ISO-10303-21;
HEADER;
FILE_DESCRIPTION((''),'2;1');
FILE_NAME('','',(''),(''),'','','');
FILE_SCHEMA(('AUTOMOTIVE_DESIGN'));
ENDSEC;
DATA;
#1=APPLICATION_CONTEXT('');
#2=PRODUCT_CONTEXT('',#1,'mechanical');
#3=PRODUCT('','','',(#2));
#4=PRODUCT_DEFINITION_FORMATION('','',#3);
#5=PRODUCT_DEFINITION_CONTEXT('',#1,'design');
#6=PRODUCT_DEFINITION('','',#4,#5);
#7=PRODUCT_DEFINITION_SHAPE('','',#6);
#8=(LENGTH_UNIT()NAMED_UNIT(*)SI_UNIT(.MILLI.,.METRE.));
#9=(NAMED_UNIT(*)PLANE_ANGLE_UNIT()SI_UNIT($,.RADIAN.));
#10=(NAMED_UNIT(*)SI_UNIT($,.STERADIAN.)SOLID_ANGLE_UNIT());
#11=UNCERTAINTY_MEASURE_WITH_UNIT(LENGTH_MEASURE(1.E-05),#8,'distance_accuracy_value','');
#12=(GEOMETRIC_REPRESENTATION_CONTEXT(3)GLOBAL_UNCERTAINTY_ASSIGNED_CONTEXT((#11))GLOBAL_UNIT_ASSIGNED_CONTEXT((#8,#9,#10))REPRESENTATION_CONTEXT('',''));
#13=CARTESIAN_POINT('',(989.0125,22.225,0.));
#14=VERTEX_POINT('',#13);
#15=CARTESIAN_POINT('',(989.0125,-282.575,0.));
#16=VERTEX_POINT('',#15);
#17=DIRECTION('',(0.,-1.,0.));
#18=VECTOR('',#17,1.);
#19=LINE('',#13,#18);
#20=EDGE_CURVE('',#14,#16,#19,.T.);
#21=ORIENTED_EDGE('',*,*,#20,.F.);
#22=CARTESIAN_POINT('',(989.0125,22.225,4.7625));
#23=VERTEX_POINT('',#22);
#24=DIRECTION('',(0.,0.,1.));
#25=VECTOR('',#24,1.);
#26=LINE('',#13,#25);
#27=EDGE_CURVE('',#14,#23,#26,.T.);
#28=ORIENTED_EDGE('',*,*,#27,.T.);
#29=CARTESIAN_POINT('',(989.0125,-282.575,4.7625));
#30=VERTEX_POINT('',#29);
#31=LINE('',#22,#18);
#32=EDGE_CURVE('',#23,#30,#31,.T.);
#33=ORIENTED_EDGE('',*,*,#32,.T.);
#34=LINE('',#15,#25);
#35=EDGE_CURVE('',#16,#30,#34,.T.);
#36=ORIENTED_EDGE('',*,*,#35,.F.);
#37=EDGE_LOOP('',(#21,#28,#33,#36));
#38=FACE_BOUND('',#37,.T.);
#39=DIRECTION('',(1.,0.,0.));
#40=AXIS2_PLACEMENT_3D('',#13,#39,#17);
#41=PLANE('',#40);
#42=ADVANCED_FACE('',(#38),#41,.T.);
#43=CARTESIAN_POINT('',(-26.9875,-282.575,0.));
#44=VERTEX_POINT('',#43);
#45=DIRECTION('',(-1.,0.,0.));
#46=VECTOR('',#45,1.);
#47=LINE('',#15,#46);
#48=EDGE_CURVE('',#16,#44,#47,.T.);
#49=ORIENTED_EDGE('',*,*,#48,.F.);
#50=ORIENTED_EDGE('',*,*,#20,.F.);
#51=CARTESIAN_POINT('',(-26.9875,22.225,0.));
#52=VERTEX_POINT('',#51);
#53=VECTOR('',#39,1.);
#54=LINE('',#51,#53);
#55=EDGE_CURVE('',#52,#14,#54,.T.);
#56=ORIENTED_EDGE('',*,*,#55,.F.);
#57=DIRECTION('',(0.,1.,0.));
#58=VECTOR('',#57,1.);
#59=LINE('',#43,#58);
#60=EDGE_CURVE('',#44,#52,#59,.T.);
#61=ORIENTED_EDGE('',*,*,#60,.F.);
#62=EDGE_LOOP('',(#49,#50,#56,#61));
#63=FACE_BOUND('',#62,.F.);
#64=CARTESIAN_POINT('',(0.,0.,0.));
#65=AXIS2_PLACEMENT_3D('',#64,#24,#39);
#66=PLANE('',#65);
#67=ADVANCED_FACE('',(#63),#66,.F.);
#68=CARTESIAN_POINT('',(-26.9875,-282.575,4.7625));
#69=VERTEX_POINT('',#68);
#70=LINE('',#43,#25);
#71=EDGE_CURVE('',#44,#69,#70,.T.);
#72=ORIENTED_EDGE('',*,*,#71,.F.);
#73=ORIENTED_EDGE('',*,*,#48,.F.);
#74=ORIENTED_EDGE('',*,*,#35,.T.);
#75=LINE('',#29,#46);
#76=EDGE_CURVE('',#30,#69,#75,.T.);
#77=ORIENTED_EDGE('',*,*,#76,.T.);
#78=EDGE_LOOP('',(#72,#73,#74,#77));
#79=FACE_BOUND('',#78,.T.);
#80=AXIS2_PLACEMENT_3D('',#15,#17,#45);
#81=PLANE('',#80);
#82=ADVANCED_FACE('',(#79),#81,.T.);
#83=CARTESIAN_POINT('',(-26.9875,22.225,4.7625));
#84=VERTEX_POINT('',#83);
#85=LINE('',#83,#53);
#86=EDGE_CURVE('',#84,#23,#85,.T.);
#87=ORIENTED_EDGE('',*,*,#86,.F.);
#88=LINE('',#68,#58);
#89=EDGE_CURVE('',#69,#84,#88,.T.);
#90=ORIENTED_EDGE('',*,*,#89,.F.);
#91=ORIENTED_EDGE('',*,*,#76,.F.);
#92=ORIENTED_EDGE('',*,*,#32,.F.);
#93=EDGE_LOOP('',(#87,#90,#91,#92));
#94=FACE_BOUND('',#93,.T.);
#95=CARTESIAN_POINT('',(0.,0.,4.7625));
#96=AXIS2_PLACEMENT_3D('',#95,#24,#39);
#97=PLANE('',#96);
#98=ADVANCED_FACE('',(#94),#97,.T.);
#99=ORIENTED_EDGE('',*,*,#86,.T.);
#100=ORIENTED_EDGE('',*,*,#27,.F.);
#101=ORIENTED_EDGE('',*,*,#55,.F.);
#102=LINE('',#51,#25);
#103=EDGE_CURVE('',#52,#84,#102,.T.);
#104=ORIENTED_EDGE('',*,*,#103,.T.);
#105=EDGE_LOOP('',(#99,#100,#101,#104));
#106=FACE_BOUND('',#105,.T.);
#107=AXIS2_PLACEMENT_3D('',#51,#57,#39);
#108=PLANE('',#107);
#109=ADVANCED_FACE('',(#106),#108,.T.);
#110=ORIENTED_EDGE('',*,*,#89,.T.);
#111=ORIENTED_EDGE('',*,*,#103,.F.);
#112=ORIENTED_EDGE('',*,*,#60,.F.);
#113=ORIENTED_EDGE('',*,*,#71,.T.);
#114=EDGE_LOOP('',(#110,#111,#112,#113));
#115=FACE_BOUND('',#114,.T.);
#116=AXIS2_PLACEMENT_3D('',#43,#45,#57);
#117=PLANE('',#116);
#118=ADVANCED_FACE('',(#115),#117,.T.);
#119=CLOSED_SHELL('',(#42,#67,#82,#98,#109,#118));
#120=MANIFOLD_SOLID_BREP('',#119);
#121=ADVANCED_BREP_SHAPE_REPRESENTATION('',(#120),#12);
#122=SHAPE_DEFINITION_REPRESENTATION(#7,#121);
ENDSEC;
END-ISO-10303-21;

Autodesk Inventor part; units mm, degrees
ref_plane "YZ Plane" through (0, 0, 0) normal (1, 0, 0) x (0, 1, 0)
ref_plane "XZ Plane" through (0, 0, 0) normal (0, 1, 0) x (-1, 0, 0)
ref_plane "XY Plane" through (0, 0, 0) normal (0, 0, 1) x (1, 0, 0)
sketch "Sketch1" plane through (0, 0, 0) normal (0, 0, 1) x (1, 0, 0)
  line L0 (-26.9875, 22.225) -> (989.0125, 22.225)
  line L1 (989.0125, 22.225) -> (989.0125, -282.575)
  line L2 (989.0125, -282.575) -> (-26.9875, -282.575)
  line L3 (-26.9875, -282.575) -> (-26.9875, 22.225)
  dimension "d0" = 1016
  dimension "d1" = 304.8
extrude "Extrusion1" add sketch "Sketch1" along normal blind 4.7625
properties part number "FE-00014-01"
